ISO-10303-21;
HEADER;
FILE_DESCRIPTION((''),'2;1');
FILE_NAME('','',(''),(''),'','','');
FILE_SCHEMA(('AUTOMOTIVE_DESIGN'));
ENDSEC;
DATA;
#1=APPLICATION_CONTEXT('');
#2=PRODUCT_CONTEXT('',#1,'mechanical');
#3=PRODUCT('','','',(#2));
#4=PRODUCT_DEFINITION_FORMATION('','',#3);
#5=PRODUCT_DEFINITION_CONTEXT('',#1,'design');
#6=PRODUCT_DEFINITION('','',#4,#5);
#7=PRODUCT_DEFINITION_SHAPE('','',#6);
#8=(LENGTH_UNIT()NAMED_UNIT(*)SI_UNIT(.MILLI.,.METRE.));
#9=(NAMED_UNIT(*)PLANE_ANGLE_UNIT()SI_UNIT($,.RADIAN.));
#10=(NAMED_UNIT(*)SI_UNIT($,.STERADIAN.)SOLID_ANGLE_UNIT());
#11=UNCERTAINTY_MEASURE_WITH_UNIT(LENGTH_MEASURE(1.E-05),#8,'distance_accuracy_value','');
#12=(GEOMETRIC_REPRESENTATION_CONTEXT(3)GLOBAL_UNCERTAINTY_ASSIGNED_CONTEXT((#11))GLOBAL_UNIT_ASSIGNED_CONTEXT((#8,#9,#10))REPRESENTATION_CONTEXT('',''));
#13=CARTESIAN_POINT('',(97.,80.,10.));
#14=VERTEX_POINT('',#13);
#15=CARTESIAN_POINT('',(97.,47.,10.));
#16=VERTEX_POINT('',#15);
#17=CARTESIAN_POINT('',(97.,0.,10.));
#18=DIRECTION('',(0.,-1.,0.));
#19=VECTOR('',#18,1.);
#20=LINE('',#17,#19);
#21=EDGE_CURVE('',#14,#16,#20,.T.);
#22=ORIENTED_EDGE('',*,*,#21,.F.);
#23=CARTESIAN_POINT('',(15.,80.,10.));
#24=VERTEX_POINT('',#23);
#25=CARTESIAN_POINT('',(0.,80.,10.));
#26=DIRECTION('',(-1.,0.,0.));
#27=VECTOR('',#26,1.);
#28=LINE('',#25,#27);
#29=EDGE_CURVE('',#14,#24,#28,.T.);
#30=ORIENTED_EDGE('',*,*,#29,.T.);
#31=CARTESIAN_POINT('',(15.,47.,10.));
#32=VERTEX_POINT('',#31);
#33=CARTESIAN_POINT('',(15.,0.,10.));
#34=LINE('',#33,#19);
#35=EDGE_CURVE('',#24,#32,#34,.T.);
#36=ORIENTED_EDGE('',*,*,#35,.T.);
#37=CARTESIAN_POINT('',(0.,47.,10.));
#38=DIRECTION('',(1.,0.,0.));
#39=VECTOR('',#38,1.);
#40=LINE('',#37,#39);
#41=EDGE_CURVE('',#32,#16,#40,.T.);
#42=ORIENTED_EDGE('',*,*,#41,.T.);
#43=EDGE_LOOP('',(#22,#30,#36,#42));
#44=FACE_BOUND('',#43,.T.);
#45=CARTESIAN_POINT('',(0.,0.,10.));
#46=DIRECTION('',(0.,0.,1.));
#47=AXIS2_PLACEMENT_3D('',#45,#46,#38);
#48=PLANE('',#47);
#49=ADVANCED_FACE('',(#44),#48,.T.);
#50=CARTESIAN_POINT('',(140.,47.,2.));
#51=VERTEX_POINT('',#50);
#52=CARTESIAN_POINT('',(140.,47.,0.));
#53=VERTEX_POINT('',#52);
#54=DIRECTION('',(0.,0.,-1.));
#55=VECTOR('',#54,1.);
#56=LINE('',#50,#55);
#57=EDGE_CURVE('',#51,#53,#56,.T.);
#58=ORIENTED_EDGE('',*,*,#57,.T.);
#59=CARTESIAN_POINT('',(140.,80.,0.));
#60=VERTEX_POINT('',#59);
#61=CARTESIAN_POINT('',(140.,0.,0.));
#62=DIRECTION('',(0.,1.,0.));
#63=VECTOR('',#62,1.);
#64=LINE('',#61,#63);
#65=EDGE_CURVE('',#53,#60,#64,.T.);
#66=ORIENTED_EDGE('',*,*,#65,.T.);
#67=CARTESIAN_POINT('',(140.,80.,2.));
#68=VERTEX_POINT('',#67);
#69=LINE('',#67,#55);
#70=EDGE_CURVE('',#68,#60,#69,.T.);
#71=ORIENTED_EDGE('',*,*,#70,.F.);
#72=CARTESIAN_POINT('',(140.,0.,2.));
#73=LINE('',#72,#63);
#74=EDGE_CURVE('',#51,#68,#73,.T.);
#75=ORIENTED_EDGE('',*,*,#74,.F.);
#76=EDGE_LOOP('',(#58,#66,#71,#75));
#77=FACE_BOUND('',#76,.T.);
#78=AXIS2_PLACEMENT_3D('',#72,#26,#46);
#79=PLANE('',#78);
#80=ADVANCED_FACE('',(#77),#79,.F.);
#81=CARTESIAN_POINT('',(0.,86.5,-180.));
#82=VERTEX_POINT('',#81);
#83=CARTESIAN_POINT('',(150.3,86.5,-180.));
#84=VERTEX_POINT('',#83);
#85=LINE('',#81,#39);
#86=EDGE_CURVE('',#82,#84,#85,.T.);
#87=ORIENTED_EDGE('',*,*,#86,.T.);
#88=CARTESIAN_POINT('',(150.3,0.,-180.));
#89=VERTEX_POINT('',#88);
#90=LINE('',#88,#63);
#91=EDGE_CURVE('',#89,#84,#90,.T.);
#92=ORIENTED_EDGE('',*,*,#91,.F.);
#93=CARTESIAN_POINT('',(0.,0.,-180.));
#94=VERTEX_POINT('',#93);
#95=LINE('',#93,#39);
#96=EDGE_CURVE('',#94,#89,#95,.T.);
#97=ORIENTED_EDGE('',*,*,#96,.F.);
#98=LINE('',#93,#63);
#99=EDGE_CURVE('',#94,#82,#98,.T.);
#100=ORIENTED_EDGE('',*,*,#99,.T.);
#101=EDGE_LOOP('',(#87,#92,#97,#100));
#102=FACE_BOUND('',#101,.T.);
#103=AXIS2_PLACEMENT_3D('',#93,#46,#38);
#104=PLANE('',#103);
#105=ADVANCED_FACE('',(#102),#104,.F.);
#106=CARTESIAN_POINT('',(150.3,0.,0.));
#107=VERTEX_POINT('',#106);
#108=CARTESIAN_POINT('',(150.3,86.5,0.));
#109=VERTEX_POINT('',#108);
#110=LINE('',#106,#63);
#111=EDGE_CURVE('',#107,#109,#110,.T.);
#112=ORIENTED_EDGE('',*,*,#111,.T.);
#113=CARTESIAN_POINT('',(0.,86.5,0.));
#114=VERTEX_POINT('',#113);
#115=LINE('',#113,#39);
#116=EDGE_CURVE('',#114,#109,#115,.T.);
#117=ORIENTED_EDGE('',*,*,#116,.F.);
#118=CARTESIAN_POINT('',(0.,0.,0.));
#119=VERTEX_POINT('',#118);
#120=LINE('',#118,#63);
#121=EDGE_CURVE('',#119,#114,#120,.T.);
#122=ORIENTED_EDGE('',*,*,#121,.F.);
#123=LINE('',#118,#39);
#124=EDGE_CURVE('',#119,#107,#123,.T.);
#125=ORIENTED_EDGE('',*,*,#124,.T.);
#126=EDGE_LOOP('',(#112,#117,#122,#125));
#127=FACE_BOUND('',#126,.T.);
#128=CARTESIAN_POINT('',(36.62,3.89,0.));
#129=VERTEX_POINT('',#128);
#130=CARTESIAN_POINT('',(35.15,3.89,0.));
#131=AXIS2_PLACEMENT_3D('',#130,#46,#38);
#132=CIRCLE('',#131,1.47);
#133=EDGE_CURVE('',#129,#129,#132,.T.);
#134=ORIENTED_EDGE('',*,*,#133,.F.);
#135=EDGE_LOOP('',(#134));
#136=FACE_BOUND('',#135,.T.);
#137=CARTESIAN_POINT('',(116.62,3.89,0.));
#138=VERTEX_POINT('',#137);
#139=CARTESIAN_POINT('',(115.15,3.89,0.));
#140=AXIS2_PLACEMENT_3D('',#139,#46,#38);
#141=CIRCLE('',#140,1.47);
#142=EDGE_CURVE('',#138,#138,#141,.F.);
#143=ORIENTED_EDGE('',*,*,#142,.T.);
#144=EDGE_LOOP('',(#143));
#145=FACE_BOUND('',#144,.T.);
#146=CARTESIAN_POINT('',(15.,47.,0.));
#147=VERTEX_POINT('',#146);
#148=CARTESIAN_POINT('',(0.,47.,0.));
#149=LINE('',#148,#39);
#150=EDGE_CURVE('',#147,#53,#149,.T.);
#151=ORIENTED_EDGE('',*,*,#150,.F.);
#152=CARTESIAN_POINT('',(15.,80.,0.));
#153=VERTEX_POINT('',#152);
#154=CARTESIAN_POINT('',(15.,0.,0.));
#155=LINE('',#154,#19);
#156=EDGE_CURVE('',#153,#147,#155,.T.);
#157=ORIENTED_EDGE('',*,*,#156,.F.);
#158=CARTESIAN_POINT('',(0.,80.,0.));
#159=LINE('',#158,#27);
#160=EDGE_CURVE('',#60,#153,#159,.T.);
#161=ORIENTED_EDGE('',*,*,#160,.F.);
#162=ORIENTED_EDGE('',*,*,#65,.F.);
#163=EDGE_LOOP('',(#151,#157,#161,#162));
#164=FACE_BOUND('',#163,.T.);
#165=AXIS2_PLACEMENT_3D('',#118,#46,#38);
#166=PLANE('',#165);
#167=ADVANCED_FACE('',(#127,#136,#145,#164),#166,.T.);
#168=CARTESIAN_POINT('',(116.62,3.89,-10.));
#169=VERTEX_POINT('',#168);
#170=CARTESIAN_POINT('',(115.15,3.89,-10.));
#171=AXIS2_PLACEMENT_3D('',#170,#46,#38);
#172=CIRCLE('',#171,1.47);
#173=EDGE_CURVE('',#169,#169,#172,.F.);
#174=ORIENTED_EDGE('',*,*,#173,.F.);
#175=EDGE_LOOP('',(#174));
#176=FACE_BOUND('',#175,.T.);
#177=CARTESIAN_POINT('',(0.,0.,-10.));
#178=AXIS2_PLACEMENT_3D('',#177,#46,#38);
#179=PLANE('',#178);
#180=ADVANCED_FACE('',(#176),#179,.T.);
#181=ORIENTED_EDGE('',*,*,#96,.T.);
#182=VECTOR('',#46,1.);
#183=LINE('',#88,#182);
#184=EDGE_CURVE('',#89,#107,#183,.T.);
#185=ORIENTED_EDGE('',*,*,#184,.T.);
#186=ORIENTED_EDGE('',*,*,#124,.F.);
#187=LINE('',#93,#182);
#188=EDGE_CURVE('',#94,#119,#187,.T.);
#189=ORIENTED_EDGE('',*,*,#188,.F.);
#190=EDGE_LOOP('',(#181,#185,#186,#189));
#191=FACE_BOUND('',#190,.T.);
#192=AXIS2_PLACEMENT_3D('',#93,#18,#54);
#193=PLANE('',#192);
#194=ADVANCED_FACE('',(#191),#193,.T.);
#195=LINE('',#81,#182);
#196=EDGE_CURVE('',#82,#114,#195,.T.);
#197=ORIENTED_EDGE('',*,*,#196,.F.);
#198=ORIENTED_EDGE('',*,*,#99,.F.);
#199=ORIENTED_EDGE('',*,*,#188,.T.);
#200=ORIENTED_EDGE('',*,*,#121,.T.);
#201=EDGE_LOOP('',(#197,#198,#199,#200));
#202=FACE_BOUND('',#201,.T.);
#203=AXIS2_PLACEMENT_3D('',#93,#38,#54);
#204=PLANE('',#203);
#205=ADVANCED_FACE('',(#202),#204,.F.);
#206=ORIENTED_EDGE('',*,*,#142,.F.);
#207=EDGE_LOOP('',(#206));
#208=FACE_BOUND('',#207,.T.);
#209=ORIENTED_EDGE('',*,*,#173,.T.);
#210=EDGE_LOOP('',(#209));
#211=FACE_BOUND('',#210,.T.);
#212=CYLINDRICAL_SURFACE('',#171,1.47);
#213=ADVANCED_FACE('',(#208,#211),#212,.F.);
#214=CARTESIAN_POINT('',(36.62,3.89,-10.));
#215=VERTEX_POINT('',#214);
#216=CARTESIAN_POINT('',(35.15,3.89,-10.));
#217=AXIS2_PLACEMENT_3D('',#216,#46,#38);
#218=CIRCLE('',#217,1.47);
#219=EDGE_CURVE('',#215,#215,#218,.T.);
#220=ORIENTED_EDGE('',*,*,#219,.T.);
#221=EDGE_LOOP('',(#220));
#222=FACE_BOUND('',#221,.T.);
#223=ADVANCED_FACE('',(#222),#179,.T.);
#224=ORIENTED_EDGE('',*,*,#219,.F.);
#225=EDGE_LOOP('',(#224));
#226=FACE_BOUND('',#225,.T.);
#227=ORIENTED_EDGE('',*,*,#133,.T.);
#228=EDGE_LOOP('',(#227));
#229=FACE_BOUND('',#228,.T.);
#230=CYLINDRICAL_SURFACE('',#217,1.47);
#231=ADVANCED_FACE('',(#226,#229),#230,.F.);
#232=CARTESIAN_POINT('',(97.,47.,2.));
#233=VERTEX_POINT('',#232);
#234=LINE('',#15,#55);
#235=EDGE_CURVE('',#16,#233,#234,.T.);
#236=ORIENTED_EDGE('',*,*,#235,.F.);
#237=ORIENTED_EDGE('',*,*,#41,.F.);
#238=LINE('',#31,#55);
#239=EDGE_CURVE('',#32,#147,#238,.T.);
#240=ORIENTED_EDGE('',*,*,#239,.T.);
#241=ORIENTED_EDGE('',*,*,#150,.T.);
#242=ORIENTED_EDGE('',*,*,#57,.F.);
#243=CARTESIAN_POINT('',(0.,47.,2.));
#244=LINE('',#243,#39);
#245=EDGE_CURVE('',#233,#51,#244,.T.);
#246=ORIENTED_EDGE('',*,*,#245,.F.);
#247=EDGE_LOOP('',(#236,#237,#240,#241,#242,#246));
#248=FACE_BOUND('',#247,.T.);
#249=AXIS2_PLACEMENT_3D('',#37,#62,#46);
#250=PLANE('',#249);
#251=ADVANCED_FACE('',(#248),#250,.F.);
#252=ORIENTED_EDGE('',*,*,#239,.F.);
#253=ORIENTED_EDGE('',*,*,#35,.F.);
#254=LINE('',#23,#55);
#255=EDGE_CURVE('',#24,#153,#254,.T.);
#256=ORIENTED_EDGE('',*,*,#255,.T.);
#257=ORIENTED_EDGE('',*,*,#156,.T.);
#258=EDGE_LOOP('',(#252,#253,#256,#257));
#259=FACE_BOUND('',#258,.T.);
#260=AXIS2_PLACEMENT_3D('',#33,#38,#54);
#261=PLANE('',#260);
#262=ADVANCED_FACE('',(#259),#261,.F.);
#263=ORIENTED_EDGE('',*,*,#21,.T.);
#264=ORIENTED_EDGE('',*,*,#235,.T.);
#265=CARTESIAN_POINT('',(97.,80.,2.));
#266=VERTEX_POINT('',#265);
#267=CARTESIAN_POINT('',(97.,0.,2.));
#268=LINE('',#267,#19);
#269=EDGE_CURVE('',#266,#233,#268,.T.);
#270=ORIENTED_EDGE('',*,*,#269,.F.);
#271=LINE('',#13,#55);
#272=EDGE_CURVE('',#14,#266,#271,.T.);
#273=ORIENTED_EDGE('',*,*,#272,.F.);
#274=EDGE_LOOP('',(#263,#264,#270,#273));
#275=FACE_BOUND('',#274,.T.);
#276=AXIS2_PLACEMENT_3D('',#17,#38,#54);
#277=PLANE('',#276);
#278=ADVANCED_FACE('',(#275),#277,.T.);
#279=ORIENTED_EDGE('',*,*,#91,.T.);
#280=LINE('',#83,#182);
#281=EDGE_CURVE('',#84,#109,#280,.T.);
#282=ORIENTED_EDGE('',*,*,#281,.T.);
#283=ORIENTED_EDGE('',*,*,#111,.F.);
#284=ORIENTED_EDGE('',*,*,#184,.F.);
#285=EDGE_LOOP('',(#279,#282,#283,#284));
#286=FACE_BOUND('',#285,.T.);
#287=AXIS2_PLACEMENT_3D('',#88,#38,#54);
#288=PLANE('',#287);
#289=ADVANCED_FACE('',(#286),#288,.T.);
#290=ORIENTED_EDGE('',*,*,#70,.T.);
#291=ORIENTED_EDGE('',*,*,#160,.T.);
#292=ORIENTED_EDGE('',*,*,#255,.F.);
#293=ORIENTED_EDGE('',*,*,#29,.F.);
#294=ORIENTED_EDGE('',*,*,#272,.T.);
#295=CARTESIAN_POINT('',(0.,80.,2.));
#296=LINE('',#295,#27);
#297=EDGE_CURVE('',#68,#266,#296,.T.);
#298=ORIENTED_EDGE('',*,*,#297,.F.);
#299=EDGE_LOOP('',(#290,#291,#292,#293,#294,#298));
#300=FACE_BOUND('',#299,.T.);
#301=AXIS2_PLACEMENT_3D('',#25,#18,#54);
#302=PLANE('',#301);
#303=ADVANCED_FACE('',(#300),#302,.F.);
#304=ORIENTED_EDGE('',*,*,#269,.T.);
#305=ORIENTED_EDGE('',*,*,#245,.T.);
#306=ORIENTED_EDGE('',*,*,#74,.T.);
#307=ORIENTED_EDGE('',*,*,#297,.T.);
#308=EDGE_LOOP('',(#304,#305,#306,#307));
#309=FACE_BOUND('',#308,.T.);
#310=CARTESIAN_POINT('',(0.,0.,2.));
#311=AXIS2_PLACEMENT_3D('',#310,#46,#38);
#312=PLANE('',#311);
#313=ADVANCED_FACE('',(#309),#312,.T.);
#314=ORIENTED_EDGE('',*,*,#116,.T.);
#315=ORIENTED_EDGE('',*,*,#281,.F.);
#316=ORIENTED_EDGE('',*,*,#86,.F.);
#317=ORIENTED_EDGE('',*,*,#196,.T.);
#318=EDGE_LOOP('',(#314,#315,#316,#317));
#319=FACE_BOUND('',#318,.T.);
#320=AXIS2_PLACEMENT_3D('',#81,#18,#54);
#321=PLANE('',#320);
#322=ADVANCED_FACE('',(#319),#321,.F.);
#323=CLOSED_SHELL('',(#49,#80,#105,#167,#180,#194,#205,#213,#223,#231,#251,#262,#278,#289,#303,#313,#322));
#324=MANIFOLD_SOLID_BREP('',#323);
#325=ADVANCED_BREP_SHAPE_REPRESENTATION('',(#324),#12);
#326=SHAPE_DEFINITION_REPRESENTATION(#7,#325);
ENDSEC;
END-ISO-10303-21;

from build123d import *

# Parameters (mm, degrees)
SKETCH1_W           = 150.3
SKETCH1_H           = 86.5
BOSS_EXTRUDE1_DEPTH = 180
SKETCH1_3_R         = 1.47
CUT_EXTRUDE1_DEPTH  = 10
SKETCH1_4_W         = 82
SKETCH1_4_H         = 33
BOSS_EXTRUDE2_DEPTH = 10
SKETCH1_5_W         = 43
SKETCH1_5_H         = 33
BOSS_EXTRUDE3_DEPTH = 2


with BuildPart() as part:
    # Sketch1 → Boss-Extrude1 (new body)
    with BuildSketch(Plane.XY):
        with Locations((75.15, 43.25)):
            Rectangle(SKETCH1_W, SKETCH1_H)
    extrude(amount=-BOSS_EXTRUDE1_DEPTH)

    # Sketch1<3> → Cut-Extrude1 (cut)
    with BuildSketch(Plane.XY):
        with Locations((35.15, 3.89)):
            Circle(SKETCH1_3_R)
        with Locations((115.15, 3.89)):
            Circle(SKETCH1_3_R)
    extrude(amount=-CUT_EXTRUDE1_DEPTH, mode=Mode.SUBTRACT)

    # Sketch1<4> → Boss-Extrude2 (add)
    with BuildSketch(Plane.XY):
        with Locations((56, 63.5)):
            Rectangle(SKETCH1_4_W, SKETCH1_4_H)
    extrude(amount=BOSS_EXTRUDE2_DEPTH)

    # Sketch1<5> → Boss-Extrude3 (add)
    with BuildSketch(Plane.XY):
        with Locations((118.5, 63.5)):
            Rectangle(SKETCH1_5_W, SKETCH1_5_H)
    extrude(amount=BOSS_EXTRUDE3_DEPTH)


solid = part.part
